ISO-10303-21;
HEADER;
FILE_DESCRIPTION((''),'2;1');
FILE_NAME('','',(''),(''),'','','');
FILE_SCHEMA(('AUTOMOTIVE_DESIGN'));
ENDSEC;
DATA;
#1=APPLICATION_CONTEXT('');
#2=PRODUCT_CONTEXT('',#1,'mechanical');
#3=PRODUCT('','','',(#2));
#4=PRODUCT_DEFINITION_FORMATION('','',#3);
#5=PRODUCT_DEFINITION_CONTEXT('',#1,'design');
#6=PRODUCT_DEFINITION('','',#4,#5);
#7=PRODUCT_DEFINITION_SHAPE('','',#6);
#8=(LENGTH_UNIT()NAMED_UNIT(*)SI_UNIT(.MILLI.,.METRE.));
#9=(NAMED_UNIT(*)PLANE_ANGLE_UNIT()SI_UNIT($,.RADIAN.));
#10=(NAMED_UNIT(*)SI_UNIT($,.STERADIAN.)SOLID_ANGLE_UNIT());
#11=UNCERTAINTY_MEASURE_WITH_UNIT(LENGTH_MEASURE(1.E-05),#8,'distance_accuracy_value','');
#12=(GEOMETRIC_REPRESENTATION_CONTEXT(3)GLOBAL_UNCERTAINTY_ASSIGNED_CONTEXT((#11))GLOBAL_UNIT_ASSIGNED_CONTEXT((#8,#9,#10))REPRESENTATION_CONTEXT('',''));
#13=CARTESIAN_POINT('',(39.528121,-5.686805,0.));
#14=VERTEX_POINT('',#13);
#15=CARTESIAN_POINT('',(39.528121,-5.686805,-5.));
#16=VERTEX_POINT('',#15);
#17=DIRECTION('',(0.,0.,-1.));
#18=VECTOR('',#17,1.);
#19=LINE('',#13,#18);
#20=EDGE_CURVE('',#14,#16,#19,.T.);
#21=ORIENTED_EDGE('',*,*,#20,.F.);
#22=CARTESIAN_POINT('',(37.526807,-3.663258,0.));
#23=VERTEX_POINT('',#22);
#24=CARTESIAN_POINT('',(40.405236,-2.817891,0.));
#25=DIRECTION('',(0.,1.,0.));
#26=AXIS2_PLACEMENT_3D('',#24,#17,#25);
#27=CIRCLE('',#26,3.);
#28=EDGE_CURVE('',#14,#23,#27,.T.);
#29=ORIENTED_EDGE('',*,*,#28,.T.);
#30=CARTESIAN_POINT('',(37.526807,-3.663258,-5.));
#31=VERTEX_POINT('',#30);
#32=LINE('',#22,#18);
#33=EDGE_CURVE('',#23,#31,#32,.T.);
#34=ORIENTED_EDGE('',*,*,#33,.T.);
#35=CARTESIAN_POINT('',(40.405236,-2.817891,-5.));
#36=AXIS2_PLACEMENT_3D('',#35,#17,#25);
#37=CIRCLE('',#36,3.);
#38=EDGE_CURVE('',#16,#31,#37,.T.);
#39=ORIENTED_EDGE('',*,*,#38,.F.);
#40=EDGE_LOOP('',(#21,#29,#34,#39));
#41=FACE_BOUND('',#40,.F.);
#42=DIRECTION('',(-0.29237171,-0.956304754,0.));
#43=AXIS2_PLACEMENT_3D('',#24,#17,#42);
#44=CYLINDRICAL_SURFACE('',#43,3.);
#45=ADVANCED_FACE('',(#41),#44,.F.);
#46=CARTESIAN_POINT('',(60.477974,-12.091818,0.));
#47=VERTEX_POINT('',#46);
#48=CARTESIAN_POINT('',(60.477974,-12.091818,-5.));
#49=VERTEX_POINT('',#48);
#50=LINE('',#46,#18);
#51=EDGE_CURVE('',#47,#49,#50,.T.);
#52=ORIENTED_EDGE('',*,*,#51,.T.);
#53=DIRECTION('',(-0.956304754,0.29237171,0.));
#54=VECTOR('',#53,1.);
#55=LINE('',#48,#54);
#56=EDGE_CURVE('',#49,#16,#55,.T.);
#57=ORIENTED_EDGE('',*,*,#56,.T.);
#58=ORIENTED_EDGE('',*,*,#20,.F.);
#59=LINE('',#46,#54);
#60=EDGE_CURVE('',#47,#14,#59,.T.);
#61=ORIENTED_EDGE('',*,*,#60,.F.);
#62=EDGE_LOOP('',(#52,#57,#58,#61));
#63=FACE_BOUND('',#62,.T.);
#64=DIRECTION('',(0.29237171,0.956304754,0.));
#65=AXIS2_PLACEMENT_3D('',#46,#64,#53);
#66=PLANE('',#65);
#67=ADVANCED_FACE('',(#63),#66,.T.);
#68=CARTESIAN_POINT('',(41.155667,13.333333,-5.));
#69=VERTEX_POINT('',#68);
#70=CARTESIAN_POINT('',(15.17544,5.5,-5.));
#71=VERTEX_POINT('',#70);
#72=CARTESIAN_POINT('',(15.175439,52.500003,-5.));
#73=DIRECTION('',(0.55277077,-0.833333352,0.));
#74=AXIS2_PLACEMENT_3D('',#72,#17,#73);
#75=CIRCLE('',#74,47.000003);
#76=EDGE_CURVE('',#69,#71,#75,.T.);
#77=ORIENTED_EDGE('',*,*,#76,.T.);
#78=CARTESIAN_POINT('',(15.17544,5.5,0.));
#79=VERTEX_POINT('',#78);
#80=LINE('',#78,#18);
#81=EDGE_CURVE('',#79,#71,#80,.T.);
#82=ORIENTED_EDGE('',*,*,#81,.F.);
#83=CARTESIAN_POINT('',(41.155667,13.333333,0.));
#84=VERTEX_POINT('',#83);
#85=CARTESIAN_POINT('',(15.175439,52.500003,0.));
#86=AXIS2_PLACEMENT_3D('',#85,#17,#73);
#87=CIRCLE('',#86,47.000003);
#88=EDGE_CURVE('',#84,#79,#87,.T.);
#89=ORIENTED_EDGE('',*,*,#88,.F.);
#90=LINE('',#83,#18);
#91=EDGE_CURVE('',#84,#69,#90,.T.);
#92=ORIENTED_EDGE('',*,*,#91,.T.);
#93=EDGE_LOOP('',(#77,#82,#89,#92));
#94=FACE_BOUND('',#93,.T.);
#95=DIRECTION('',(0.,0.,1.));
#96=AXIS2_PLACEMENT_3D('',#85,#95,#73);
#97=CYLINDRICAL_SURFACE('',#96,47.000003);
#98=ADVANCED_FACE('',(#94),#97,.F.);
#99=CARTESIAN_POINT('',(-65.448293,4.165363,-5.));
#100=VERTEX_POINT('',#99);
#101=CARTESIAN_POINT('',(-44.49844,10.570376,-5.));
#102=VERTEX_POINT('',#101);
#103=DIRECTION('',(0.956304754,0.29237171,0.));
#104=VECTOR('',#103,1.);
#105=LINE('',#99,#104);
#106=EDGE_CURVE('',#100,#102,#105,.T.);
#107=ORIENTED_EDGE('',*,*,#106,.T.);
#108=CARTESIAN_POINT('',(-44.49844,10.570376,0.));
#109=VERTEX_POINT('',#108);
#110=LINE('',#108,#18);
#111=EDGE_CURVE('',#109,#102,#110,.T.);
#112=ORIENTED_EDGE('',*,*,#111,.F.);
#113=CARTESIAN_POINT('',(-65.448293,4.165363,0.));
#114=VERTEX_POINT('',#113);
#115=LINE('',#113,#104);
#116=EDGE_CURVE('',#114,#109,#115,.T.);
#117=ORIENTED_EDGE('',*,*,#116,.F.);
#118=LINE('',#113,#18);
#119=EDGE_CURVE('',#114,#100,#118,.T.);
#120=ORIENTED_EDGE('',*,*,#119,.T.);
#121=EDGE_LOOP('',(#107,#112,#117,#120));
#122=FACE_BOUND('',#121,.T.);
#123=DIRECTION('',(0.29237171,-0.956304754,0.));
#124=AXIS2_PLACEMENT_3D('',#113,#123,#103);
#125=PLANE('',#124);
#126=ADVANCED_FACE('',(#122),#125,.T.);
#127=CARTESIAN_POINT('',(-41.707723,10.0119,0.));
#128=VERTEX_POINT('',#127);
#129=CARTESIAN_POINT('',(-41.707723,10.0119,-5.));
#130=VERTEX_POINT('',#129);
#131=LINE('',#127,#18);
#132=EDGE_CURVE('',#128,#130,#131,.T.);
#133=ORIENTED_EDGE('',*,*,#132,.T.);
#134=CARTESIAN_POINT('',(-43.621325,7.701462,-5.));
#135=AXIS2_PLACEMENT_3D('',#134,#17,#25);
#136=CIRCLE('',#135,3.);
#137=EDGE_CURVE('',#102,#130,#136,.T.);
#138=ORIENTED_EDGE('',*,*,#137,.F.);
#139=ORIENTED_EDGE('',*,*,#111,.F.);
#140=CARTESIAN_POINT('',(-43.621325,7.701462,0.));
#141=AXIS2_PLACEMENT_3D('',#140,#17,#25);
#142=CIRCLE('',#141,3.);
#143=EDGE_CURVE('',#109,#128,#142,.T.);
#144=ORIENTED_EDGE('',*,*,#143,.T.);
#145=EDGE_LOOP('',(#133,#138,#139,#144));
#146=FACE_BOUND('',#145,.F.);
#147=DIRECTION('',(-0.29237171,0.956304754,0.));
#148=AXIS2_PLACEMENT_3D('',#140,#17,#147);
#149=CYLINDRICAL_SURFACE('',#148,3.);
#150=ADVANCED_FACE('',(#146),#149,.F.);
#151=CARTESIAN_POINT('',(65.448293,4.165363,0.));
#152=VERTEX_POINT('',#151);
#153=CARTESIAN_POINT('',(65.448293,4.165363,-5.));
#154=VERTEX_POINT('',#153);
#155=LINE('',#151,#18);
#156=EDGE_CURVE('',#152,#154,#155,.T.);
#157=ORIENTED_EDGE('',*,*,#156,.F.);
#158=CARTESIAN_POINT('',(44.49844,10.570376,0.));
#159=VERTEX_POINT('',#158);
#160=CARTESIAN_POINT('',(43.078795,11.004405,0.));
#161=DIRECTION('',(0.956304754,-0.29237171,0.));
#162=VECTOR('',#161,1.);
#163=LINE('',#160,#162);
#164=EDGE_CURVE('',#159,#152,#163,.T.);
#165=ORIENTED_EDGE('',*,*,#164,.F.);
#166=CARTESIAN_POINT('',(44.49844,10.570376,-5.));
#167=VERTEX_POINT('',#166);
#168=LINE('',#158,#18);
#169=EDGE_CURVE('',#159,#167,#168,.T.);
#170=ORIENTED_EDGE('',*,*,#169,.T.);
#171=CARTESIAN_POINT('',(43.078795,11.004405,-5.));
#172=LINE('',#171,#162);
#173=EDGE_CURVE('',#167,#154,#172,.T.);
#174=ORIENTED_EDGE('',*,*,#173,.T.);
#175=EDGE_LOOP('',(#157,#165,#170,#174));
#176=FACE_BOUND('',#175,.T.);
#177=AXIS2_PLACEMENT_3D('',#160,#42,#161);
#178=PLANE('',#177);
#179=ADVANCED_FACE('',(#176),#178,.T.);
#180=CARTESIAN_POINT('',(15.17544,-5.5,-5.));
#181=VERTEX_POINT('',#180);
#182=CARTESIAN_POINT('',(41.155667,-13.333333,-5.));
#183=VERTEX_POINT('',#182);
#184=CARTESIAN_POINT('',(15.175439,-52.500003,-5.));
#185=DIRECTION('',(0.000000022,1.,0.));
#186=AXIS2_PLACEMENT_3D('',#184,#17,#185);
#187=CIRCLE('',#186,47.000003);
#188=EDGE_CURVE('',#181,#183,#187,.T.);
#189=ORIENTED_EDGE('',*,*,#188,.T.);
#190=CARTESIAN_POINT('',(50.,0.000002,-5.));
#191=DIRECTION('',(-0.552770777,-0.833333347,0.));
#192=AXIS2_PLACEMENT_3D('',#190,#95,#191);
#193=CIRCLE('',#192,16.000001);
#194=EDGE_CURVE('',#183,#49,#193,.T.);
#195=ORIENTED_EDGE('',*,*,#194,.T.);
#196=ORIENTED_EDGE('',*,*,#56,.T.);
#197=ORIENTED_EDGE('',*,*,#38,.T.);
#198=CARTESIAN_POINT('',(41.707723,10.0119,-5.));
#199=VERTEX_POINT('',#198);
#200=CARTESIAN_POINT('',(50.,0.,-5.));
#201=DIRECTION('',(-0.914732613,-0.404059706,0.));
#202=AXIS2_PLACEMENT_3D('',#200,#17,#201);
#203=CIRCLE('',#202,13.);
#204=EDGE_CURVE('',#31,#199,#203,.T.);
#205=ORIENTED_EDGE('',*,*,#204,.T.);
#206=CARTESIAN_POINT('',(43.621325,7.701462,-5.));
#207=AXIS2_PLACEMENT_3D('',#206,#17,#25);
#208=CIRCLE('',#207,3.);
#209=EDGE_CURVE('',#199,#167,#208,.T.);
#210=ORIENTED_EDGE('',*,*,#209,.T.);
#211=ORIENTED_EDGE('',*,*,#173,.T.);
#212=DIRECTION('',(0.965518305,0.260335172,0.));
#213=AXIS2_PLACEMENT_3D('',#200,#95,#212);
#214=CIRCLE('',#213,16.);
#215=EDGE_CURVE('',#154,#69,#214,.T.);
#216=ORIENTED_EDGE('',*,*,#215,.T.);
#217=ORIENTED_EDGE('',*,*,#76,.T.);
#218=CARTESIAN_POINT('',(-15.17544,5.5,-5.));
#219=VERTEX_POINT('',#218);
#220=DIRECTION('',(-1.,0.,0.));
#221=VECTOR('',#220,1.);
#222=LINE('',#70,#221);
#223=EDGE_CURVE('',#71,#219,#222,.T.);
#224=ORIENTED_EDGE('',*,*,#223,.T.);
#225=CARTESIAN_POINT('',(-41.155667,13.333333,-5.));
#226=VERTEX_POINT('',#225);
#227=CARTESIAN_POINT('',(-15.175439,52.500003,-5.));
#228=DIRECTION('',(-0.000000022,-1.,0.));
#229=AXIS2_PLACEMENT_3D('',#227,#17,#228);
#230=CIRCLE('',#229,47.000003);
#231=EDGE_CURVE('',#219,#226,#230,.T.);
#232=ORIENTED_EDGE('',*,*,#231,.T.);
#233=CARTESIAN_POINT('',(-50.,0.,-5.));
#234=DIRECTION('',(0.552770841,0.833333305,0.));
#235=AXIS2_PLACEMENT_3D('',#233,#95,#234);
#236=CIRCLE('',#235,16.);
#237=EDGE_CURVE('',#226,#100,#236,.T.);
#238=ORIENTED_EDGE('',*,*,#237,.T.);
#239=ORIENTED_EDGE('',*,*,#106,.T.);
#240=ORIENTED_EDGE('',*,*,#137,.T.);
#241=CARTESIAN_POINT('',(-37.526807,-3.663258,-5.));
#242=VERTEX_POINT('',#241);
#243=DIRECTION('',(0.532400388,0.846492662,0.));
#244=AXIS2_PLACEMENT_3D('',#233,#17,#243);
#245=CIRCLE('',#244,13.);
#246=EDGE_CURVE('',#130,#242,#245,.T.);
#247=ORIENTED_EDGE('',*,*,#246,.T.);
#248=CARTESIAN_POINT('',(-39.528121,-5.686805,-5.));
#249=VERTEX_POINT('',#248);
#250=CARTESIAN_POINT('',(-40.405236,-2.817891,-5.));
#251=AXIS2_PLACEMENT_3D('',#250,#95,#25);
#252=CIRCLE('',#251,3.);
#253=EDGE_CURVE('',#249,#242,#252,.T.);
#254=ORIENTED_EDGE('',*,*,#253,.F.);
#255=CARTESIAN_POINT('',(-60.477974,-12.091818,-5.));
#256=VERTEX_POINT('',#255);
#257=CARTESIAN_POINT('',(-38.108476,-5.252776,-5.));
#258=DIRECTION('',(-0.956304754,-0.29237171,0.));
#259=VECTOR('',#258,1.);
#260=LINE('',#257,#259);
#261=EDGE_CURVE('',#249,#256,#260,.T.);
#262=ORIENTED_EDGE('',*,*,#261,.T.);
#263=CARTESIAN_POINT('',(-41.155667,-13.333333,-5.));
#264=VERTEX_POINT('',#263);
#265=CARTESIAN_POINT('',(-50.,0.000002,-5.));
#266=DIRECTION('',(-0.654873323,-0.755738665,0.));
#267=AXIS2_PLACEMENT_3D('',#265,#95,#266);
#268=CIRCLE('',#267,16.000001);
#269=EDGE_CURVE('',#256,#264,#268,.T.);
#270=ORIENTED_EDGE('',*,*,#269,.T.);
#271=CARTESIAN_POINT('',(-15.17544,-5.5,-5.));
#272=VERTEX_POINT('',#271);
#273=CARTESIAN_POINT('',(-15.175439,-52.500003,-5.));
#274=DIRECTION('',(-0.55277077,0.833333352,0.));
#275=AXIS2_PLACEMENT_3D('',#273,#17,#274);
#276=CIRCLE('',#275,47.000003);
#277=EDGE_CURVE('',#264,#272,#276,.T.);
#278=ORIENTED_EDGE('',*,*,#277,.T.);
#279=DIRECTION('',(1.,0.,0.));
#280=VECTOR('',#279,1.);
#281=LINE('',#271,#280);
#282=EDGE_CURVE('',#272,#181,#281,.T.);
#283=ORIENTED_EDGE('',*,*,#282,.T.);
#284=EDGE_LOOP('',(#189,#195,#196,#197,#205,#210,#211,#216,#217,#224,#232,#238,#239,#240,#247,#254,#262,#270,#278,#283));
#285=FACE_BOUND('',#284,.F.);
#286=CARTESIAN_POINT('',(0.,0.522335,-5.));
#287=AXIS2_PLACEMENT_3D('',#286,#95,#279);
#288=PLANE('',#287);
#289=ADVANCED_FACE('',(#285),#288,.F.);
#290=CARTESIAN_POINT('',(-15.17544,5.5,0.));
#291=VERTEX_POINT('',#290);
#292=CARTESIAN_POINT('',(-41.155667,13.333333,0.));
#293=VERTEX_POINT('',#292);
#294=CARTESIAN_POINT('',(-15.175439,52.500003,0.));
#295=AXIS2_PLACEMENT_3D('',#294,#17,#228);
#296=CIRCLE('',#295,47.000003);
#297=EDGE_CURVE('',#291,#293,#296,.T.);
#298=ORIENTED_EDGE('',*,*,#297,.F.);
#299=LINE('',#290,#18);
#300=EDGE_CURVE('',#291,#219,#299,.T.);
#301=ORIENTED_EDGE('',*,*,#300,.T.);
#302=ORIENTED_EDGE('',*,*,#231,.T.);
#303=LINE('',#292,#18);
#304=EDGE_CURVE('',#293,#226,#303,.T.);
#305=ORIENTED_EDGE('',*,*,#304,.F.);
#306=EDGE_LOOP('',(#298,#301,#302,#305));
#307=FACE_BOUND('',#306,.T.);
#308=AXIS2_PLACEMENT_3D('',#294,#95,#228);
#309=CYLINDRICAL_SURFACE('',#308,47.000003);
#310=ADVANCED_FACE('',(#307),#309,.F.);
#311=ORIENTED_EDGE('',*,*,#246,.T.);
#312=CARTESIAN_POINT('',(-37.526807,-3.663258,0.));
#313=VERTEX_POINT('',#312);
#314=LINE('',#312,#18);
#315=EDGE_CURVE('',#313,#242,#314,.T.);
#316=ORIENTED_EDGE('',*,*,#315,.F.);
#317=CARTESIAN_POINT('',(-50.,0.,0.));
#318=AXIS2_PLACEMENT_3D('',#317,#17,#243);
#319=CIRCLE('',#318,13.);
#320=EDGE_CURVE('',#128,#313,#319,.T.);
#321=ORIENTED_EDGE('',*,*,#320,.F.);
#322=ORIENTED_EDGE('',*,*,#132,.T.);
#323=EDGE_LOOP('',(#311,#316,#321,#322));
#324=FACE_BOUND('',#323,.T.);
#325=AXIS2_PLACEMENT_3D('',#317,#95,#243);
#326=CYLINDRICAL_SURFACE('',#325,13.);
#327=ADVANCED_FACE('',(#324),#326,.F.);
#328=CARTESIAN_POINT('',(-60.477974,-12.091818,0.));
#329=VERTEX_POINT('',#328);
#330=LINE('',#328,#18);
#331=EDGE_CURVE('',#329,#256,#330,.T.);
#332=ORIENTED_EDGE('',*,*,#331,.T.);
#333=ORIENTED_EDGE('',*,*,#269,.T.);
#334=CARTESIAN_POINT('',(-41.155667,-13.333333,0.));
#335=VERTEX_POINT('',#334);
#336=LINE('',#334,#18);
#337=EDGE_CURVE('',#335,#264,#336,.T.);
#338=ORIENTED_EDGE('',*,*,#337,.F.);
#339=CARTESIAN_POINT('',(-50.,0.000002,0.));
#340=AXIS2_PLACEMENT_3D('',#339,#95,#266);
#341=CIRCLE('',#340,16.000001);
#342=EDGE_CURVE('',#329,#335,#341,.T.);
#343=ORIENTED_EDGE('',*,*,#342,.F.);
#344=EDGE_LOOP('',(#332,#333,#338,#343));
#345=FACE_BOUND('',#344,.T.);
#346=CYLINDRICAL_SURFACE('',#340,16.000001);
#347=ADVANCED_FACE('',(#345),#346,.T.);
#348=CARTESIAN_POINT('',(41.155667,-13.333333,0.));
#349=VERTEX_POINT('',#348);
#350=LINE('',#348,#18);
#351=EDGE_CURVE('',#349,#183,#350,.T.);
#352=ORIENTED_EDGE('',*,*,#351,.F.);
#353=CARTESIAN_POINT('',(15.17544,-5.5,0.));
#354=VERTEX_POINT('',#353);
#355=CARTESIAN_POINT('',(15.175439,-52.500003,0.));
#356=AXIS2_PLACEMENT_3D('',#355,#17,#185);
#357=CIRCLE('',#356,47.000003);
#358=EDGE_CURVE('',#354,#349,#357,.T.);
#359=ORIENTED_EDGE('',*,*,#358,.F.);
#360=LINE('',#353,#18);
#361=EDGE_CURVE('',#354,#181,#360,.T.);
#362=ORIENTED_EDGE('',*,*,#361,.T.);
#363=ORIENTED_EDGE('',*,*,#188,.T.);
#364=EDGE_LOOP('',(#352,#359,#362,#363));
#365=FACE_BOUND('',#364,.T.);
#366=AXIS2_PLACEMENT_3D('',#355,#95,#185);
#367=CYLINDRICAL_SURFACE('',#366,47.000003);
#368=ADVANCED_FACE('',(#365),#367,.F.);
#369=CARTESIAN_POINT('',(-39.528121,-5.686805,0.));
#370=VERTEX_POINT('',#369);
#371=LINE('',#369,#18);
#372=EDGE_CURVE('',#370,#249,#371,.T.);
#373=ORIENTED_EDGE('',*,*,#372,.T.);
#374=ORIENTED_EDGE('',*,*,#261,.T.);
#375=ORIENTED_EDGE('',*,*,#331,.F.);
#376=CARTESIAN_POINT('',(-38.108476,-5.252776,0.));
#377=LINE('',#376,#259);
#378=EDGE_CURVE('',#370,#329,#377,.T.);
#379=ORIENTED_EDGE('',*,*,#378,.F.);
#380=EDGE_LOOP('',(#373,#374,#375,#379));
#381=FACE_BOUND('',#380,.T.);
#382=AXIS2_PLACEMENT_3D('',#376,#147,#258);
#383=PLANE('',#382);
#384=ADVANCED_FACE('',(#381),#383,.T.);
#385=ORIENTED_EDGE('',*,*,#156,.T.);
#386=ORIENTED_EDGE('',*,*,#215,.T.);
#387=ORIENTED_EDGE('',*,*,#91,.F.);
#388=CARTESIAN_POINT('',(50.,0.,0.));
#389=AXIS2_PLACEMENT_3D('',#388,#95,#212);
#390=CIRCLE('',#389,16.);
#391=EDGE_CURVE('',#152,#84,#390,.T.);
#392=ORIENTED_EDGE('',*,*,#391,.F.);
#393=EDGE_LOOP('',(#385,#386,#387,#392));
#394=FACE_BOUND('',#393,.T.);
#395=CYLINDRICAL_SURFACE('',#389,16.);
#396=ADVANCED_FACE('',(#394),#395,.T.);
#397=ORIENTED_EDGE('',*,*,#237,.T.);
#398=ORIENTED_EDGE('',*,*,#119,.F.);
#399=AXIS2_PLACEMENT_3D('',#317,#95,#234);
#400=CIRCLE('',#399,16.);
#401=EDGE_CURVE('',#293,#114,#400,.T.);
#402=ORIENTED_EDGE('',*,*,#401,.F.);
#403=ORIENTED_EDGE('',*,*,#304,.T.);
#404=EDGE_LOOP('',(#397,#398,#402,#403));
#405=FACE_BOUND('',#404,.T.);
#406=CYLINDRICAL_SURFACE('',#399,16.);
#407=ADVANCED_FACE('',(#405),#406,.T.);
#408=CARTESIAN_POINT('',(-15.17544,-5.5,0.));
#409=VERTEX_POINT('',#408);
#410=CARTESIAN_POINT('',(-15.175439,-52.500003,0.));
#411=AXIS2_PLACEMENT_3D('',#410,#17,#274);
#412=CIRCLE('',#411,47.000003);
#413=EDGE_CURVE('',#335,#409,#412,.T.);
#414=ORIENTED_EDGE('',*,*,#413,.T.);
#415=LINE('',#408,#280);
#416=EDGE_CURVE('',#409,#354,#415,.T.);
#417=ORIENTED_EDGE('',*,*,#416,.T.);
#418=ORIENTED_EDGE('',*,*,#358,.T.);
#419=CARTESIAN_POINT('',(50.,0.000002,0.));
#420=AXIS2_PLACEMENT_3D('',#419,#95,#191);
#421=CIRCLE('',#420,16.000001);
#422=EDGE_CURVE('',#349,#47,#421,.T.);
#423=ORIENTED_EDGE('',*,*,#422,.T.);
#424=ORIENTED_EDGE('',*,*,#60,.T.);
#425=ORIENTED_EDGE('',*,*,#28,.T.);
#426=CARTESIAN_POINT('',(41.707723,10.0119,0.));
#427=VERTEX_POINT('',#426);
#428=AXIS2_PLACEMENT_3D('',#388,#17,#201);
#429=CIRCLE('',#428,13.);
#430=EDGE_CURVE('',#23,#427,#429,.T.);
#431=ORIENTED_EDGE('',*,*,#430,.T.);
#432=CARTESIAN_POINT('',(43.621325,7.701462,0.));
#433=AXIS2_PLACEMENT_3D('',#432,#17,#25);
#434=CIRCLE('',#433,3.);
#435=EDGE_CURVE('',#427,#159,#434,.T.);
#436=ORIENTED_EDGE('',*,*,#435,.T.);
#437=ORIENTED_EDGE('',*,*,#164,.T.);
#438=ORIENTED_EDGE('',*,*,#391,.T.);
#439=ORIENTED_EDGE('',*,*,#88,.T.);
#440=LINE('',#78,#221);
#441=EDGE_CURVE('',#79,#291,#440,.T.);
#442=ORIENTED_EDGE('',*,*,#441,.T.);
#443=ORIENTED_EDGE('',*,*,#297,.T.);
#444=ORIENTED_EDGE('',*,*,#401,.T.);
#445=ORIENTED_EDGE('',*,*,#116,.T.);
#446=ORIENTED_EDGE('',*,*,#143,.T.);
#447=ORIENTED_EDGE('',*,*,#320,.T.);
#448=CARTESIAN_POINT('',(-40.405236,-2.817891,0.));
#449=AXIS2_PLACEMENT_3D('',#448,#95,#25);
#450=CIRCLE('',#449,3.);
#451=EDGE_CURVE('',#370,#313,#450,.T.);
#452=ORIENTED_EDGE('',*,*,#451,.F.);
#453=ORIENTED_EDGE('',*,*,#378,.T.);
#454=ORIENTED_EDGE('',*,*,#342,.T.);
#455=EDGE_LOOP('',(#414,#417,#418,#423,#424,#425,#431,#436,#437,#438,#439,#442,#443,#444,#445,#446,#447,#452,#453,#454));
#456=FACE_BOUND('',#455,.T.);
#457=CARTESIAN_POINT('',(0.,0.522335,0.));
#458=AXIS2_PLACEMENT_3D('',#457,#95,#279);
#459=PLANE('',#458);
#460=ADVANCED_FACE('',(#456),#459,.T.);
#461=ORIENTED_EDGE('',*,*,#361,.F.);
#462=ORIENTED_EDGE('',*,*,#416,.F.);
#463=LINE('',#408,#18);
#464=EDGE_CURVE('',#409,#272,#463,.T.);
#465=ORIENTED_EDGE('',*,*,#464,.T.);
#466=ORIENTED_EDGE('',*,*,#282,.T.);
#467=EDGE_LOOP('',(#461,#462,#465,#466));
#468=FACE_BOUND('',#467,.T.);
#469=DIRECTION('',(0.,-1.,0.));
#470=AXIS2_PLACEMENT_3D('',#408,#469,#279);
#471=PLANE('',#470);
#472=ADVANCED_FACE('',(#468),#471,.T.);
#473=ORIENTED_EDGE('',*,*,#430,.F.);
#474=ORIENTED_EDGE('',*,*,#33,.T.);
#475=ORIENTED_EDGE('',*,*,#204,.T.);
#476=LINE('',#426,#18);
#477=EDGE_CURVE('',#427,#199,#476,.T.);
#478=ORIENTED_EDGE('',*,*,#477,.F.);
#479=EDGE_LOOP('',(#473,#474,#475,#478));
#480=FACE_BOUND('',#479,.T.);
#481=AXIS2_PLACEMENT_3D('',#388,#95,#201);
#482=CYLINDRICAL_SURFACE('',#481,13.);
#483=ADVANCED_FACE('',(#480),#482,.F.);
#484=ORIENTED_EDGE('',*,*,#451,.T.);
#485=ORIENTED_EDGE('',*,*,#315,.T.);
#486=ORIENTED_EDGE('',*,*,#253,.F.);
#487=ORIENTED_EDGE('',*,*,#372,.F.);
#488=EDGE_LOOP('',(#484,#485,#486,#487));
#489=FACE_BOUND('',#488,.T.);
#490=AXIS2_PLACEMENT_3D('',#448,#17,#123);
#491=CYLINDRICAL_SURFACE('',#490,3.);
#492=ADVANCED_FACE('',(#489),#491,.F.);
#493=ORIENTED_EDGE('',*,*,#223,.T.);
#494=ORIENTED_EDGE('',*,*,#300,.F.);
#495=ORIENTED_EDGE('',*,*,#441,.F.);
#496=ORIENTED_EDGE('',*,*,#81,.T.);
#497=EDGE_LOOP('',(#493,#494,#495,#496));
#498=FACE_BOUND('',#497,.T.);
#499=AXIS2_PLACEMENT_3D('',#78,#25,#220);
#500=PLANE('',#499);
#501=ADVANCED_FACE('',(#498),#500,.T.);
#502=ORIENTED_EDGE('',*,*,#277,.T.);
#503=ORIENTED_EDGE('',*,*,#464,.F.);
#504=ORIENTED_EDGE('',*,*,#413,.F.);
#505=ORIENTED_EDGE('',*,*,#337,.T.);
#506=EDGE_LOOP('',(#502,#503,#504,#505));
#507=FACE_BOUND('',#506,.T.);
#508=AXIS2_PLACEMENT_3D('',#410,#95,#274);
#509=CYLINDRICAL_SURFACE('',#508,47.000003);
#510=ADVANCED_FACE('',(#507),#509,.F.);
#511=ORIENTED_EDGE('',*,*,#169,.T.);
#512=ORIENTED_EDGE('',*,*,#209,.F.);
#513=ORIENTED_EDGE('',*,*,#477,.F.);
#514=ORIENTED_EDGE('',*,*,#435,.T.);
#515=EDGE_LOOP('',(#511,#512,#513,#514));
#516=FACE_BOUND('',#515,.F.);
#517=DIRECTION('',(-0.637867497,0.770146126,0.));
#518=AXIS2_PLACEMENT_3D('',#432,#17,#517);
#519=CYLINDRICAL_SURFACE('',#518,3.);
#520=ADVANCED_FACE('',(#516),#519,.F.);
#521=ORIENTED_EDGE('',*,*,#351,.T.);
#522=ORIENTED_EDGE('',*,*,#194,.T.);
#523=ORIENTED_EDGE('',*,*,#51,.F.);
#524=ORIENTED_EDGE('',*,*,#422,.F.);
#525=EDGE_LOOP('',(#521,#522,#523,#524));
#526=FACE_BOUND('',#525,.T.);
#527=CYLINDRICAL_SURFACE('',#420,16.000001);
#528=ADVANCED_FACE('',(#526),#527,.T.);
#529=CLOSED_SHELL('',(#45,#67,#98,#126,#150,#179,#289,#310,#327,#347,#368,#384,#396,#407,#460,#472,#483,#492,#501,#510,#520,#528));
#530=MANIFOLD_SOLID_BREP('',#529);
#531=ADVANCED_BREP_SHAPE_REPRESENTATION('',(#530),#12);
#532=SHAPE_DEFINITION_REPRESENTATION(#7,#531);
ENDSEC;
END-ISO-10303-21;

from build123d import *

# Parameters (mm, degrees)
F1_DEPTH = 5
F2_R     = 3


with BuildPart() as f1:
    # F0 (on Top) → F1 (new body)
    with BuildSketch(Plane.XY):
        with BuildLine():
            Line((-38.108476, -5.252776), (-60.477974, -12.091818))
            ThreePointArc((-60.477974, -12.091818), (-51.025932, -15.967074), (-41.155667, -13.333333))
            ThreePointArc((-41.155667, -13.333333), (-28.743171, -7.500926), (-15.17544, -5.5))
            Line((-15.17544, -5.5), (0, -5.5))
            Line((0, -5.5), (15.17544, -5.5))
            ThreePointArc((15.17544, -5.5), (28.743171, -7.500926), (41.155667, -13.333333))
            ThreePointArc((41.155667, -13.333333), (51.025932, -15.967074), (60.477974, -12.091818))
            Line((60.477974, -12.091818), (38.108476, -5.252776))
            ThreePointArc((38.108476, -5.252776), (37.568038, 3.800832), (43.078795, 11.004405))
            Line((43.078795, 11.004405), (65.448293, 4.165363))
            ThreePointArc((65.448293, 4.165363), (55.649424, 14.969436), (41.155667, 13.333333))
            ThreePointArc((41.155667, 13.333333), (28.743171, 7.500926), (15.17544, 5.5))
            Line((15.17544, 5.5), (0, 5.5))
            Line((0, 5.5), (-15.17544, 5.5))
            ThreePointArc((-15.17544, 5.5), (-28.743171, 7.500926), (-41.155667, 13.333333))
            ThreePointArc((-41.155667, 13.333333), (-55.649424, 14.969436), (-65.448293, 4.165363))
            Line((-65.448293, 4.165363), (-43.078795, 11.004405))
            ThreePointArc((-43.078795, 11.004405), (-37.568038, 3.800832), (-38.108476, -5.252776))
        make_face()
    extrude(amount=-F1_DEPTH)

    # F2
    f2_edges = [f1.edges().sort_by_distance(p)[0] for p in [
        (-38.108476, -5.252776, -2.5),
        (-43.078795, 11.004405, -2.5),
        (43.078795, 11.004405, -2.5),
        (38.108476, -5.252776, -2.5),
    ]]
    fillet(f2_edges, radius=F2_R)


solid = f1.part
